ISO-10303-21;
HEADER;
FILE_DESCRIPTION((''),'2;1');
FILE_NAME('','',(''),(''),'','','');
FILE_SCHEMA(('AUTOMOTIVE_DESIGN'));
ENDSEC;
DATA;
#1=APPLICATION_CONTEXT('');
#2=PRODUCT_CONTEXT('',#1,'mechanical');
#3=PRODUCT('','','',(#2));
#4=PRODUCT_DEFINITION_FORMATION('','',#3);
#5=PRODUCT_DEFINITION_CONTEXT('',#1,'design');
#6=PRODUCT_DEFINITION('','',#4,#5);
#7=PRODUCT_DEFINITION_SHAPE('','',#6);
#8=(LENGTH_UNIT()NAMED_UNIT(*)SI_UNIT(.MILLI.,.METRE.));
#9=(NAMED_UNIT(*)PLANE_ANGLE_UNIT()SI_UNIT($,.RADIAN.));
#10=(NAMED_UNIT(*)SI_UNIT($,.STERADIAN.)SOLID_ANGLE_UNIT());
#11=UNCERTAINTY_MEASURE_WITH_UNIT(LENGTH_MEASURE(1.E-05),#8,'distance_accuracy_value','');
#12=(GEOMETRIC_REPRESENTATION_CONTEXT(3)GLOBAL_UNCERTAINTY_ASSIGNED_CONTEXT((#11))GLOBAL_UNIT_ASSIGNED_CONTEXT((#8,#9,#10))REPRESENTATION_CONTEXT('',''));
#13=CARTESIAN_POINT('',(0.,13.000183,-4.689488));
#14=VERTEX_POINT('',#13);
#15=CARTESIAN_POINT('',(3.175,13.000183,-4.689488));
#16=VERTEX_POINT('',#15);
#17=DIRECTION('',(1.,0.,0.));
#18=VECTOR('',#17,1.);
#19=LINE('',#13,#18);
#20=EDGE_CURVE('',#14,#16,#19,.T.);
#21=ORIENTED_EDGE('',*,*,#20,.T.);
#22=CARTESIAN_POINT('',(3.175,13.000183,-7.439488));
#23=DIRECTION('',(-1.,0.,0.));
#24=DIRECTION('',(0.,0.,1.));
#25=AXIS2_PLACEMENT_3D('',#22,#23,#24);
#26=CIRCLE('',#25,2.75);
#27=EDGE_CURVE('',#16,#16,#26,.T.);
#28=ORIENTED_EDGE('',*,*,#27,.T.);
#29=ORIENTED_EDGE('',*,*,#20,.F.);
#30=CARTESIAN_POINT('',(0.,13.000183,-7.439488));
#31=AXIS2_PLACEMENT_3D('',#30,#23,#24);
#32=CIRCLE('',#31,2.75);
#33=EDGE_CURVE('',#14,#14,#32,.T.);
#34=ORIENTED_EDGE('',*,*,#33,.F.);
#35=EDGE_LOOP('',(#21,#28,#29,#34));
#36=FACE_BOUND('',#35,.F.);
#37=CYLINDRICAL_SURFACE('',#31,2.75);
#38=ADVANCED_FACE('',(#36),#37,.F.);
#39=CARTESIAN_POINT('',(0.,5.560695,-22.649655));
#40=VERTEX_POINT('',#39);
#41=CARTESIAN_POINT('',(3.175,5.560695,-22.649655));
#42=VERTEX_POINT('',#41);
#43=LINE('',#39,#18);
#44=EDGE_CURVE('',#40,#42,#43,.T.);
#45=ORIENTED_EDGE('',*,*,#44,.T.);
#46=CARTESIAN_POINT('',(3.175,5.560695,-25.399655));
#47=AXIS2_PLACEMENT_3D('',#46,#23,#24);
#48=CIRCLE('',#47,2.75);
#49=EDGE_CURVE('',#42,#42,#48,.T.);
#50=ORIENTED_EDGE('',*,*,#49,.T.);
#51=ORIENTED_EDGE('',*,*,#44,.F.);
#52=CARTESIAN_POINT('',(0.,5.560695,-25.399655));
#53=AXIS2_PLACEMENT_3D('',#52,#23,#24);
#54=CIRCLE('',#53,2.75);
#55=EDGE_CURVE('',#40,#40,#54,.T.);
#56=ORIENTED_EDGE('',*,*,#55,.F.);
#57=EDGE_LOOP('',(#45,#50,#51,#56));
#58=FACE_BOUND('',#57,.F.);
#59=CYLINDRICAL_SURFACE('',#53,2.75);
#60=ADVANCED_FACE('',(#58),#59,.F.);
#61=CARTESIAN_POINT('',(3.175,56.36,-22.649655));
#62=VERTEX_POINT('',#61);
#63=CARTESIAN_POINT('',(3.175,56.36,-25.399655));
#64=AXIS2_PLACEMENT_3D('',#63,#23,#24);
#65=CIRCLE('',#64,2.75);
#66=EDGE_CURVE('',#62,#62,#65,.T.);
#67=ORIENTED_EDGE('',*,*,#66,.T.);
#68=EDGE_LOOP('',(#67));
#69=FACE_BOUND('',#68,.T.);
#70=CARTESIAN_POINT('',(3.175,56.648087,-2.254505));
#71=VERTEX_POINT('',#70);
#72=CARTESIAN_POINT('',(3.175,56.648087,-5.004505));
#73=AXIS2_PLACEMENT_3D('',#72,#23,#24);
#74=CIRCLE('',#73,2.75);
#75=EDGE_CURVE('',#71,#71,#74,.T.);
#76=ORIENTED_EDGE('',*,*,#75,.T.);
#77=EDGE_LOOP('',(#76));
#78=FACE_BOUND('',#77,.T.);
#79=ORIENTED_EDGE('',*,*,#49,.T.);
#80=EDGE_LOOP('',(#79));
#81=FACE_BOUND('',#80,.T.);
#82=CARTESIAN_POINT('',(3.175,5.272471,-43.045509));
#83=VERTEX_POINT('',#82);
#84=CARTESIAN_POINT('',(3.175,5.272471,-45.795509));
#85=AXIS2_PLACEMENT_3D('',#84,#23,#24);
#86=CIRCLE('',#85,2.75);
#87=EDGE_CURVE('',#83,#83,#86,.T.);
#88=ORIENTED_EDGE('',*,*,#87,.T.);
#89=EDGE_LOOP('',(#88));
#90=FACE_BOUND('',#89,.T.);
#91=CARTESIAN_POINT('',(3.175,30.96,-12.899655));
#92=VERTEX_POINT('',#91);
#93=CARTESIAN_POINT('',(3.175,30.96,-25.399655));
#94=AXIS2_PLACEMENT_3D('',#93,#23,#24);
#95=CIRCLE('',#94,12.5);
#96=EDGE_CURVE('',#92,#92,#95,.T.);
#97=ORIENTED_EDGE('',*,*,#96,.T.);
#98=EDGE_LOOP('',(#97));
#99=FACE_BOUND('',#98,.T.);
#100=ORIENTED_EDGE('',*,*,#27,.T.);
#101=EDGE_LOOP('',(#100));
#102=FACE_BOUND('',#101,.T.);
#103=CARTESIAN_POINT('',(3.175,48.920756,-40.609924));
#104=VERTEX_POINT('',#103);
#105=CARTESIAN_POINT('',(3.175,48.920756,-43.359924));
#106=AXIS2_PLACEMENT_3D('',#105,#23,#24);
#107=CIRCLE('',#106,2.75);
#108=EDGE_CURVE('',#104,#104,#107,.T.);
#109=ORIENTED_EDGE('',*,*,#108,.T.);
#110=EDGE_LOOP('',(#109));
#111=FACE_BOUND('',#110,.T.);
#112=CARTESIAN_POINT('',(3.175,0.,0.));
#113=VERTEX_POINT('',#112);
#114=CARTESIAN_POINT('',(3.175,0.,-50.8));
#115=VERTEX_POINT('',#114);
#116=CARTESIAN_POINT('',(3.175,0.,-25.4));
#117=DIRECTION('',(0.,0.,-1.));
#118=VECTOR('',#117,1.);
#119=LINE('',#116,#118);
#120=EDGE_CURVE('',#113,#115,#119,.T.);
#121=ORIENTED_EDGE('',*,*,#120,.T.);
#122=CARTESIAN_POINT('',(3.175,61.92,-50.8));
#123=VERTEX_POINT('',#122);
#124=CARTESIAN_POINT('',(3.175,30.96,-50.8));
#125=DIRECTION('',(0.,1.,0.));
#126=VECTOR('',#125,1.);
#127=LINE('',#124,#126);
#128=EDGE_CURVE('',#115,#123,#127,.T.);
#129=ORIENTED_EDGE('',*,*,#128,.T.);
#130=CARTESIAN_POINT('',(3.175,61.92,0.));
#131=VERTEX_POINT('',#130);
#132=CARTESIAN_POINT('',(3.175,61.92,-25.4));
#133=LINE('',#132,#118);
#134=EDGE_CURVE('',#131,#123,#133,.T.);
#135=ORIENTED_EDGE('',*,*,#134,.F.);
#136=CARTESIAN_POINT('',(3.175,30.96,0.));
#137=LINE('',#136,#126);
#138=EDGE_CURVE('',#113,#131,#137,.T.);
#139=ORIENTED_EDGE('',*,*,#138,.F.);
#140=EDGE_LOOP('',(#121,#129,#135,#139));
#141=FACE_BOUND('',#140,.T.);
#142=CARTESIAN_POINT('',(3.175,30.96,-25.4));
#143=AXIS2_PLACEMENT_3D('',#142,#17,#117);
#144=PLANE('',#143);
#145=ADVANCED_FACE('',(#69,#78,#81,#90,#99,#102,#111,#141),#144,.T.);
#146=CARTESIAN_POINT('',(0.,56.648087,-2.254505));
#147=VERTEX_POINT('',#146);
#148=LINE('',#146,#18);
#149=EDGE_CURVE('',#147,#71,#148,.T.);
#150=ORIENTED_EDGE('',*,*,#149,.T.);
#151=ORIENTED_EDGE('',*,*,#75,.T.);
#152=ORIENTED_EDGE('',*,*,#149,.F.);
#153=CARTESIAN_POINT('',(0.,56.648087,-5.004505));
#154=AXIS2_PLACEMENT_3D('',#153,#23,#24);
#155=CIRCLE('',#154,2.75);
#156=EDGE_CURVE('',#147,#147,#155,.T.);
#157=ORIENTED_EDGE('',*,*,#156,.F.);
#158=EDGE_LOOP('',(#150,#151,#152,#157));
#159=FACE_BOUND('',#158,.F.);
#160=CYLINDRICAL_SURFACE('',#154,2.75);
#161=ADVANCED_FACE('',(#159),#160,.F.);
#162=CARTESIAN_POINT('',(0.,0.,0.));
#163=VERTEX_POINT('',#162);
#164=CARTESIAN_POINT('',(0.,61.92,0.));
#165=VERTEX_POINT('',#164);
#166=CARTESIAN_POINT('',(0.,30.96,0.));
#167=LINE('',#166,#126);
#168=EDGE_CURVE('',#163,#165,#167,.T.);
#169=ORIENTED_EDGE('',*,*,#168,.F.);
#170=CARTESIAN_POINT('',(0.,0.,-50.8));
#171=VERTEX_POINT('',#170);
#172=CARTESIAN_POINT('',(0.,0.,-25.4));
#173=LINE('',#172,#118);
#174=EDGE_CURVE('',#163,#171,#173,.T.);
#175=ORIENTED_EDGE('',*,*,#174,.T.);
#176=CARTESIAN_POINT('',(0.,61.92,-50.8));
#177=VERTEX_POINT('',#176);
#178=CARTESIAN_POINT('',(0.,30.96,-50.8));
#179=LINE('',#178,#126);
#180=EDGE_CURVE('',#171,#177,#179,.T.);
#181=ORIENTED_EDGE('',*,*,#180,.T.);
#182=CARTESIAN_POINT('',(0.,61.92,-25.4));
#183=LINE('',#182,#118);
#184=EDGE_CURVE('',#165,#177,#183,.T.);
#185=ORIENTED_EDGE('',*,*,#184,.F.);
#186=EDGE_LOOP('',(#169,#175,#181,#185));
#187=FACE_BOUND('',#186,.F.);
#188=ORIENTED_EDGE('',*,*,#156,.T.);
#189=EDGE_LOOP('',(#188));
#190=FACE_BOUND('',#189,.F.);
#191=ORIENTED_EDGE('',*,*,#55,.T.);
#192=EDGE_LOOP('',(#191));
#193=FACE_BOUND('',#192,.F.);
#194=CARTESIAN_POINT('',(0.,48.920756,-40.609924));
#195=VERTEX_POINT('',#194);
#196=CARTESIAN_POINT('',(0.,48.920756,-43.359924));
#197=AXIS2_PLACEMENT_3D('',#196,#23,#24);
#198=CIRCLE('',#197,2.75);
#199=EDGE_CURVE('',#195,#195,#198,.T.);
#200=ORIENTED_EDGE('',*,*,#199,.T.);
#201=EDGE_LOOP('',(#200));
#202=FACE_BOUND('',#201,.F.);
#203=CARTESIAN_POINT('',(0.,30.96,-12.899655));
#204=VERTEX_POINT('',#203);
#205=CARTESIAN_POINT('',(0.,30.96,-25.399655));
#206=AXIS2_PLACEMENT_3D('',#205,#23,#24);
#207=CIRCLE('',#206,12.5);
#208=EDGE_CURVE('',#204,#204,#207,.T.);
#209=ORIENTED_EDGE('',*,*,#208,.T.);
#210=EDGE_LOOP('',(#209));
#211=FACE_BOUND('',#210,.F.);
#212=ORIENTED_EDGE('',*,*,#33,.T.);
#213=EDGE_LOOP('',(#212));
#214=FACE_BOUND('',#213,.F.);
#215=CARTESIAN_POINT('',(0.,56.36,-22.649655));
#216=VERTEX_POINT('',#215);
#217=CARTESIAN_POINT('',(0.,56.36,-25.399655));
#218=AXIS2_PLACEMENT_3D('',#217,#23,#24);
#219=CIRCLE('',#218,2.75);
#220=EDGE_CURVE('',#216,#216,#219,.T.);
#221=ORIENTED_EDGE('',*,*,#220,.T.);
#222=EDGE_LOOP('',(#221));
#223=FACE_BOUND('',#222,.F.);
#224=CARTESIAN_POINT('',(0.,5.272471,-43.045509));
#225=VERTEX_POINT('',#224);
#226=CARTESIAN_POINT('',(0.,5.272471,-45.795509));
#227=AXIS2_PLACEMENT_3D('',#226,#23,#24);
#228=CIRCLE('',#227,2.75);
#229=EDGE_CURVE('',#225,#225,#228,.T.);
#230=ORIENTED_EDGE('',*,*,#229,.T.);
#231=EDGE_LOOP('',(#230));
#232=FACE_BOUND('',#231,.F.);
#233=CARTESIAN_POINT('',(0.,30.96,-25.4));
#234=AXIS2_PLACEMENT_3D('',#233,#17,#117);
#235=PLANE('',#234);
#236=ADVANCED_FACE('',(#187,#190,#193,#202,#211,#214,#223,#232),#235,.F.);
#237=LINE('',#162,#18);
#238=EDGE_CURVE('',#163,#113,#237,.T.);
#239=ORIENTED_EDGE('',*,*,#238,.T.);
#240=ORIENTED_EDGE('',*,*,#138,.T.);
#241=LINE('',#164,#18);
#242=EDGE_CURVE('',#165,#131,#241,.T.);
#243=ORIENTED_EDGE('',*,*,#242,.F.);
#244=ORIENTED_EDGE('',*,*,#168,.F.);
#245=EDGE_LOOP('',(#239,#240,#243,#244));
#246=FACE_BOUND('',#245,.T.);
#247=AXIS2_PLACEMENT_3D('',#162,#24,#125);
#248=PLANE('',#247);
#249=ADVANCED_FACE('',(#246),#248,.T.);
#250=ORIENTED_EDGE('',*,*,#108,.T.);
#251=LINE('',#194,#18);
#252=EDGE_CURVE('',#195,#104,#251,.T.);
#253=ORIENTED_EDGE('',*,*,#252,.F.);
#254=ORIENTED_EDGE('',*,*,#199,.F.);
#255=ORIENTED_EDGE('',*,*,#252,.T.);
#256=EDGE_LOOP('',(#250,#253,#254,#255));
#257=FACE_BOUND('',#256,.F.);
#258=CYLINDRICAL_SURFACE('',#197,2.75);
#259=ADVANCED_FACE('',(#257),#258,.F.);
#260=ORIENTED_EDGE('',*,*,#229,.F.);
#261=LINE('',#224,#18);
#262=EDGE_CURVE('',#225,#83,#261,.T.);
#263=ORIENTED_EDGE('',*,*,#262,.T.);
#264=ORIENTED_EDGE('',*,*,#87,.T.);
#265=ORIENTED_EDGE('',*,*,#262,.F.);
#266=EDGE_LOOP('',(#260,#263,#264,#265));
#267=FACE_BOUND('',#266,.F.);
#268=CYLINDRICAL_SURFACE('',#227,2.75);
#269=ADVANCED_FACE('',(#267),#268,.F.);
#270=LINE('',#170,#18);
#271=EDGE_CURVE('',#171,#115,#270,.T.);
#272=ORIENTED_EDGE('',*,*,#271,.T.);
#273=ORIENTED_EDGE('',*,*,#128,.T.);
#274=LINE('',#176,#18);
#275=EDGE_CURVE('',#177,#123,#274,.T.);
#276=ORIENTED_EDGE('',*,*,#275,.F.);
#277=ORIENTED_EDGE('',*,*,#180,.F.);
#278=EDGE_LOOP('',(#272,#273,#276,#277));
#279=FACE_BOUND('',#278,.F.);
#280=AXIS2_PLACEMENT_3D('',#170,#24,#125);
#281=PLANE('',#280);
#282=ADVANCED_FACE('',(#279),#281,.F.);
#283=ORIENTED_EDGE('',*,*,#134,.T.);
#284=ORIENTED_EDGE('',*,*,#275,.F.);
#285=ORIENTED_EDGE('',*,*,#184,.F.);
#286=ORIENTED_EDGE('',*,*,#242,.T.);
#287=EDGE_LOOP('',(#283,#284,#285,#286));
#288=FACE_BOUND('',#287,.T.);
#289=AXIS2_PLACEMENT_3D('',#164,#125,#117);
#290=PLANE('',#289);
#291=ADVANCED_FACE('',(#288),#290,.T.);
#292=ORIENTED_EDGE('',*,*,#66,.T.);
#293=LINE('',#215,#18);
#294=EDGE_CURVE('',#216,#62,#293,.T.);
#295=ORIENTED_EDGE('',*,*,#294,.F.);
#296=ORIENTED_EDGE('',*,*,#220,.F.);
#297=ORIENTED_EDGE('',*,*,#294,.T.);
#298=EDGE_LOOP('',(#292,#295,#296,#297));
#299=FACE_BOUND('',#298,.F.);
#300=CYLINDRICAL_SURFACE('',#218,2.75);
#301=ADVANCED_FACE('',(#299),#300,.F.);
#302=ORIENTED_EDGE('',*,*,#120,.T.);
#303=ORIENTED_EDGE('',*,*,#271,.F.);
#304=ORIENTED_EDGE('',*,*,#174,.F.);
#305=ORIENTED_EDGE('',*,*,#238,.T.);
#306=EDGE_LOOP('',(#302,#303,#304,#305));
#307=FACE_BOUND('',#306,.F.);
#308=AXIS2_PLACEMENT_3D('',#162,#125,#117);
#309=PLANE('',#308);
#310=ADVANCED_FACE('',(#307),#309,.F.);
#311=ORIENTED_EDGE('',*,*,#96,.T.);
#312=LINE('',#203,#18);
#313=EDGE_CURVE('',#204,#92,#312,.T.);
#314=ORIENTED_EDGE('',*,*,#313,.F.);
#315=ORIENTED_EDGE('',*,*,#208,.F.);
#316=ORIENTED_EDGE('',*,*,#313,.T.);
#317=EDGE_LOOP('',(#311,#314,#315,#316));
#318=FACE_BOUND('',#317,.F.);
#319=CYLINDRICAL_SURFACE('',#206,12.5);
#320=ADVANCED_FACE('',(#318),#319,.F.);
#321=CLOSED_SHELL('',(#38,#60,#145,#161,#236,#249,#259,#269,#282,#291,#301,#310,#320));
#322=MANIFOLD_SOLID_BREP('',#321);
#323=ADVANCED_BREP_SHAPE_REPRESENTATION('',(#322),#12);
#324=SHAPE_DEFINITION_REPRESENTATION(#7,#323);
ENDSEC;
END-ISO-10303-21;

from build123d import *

# Parameters (mm, degrees)
SKETCH1_W           = 50.8
SKETCH1_H           = 61.92
BOSS_EXTRUDE2_DEPTH = 3.175
SKETCH2_R           = 12.5
SKETCH2_R_2         = 2.75
CUT_EXTRUDE1_DEPTH  = 4.175


with BuildPart() as part:
    # Sketch1 → Boss-Extrude2 (new body)
    with BuildSketch(Plane(origin=(0, 0, 0), x_dir=(0, 0, -1), z_dir=(1, 0, 0))):
        with Locations((25.4, 30.96)):
            Rectangle(SKETCH1_W, SKETCH1_H)
    extrude(amount=BOSS_EXTRUDE2_DEPTH)

    # Sketch2 → Cut-Extrude1 (cut, through all)
    with BuildSketch(Plane.ZY):
        with Locations((-25.399655405, 30.96)):
            Circle(SKETCH2_R)
        with Locations((-43.35992398, 48.920755906)):
            Circle(SKETCH2_R_2)
        with Locations((-25.399655405, 56.36)):
            Circle(SKETCH2_R_2)
        with Locations((-5.004504526, 56.648087135)):
            Circle(SKETCH2_R_2)
        with Locations((-25.399655405, 5.560695)):
            Circle(SKETCH2_R_2)
        with Locations((-45.795509398, 5.272471121)):
            Circle(SKETCH2_R_2)
        with Locations((-7.439487758, 13.000182758)):
            Circle(SKETCH2_R_2)
    extrude(amount=-CUT_EXTRUDE1_DEPTH, mode=Mode.SUBTRACT)


solid = part.part
